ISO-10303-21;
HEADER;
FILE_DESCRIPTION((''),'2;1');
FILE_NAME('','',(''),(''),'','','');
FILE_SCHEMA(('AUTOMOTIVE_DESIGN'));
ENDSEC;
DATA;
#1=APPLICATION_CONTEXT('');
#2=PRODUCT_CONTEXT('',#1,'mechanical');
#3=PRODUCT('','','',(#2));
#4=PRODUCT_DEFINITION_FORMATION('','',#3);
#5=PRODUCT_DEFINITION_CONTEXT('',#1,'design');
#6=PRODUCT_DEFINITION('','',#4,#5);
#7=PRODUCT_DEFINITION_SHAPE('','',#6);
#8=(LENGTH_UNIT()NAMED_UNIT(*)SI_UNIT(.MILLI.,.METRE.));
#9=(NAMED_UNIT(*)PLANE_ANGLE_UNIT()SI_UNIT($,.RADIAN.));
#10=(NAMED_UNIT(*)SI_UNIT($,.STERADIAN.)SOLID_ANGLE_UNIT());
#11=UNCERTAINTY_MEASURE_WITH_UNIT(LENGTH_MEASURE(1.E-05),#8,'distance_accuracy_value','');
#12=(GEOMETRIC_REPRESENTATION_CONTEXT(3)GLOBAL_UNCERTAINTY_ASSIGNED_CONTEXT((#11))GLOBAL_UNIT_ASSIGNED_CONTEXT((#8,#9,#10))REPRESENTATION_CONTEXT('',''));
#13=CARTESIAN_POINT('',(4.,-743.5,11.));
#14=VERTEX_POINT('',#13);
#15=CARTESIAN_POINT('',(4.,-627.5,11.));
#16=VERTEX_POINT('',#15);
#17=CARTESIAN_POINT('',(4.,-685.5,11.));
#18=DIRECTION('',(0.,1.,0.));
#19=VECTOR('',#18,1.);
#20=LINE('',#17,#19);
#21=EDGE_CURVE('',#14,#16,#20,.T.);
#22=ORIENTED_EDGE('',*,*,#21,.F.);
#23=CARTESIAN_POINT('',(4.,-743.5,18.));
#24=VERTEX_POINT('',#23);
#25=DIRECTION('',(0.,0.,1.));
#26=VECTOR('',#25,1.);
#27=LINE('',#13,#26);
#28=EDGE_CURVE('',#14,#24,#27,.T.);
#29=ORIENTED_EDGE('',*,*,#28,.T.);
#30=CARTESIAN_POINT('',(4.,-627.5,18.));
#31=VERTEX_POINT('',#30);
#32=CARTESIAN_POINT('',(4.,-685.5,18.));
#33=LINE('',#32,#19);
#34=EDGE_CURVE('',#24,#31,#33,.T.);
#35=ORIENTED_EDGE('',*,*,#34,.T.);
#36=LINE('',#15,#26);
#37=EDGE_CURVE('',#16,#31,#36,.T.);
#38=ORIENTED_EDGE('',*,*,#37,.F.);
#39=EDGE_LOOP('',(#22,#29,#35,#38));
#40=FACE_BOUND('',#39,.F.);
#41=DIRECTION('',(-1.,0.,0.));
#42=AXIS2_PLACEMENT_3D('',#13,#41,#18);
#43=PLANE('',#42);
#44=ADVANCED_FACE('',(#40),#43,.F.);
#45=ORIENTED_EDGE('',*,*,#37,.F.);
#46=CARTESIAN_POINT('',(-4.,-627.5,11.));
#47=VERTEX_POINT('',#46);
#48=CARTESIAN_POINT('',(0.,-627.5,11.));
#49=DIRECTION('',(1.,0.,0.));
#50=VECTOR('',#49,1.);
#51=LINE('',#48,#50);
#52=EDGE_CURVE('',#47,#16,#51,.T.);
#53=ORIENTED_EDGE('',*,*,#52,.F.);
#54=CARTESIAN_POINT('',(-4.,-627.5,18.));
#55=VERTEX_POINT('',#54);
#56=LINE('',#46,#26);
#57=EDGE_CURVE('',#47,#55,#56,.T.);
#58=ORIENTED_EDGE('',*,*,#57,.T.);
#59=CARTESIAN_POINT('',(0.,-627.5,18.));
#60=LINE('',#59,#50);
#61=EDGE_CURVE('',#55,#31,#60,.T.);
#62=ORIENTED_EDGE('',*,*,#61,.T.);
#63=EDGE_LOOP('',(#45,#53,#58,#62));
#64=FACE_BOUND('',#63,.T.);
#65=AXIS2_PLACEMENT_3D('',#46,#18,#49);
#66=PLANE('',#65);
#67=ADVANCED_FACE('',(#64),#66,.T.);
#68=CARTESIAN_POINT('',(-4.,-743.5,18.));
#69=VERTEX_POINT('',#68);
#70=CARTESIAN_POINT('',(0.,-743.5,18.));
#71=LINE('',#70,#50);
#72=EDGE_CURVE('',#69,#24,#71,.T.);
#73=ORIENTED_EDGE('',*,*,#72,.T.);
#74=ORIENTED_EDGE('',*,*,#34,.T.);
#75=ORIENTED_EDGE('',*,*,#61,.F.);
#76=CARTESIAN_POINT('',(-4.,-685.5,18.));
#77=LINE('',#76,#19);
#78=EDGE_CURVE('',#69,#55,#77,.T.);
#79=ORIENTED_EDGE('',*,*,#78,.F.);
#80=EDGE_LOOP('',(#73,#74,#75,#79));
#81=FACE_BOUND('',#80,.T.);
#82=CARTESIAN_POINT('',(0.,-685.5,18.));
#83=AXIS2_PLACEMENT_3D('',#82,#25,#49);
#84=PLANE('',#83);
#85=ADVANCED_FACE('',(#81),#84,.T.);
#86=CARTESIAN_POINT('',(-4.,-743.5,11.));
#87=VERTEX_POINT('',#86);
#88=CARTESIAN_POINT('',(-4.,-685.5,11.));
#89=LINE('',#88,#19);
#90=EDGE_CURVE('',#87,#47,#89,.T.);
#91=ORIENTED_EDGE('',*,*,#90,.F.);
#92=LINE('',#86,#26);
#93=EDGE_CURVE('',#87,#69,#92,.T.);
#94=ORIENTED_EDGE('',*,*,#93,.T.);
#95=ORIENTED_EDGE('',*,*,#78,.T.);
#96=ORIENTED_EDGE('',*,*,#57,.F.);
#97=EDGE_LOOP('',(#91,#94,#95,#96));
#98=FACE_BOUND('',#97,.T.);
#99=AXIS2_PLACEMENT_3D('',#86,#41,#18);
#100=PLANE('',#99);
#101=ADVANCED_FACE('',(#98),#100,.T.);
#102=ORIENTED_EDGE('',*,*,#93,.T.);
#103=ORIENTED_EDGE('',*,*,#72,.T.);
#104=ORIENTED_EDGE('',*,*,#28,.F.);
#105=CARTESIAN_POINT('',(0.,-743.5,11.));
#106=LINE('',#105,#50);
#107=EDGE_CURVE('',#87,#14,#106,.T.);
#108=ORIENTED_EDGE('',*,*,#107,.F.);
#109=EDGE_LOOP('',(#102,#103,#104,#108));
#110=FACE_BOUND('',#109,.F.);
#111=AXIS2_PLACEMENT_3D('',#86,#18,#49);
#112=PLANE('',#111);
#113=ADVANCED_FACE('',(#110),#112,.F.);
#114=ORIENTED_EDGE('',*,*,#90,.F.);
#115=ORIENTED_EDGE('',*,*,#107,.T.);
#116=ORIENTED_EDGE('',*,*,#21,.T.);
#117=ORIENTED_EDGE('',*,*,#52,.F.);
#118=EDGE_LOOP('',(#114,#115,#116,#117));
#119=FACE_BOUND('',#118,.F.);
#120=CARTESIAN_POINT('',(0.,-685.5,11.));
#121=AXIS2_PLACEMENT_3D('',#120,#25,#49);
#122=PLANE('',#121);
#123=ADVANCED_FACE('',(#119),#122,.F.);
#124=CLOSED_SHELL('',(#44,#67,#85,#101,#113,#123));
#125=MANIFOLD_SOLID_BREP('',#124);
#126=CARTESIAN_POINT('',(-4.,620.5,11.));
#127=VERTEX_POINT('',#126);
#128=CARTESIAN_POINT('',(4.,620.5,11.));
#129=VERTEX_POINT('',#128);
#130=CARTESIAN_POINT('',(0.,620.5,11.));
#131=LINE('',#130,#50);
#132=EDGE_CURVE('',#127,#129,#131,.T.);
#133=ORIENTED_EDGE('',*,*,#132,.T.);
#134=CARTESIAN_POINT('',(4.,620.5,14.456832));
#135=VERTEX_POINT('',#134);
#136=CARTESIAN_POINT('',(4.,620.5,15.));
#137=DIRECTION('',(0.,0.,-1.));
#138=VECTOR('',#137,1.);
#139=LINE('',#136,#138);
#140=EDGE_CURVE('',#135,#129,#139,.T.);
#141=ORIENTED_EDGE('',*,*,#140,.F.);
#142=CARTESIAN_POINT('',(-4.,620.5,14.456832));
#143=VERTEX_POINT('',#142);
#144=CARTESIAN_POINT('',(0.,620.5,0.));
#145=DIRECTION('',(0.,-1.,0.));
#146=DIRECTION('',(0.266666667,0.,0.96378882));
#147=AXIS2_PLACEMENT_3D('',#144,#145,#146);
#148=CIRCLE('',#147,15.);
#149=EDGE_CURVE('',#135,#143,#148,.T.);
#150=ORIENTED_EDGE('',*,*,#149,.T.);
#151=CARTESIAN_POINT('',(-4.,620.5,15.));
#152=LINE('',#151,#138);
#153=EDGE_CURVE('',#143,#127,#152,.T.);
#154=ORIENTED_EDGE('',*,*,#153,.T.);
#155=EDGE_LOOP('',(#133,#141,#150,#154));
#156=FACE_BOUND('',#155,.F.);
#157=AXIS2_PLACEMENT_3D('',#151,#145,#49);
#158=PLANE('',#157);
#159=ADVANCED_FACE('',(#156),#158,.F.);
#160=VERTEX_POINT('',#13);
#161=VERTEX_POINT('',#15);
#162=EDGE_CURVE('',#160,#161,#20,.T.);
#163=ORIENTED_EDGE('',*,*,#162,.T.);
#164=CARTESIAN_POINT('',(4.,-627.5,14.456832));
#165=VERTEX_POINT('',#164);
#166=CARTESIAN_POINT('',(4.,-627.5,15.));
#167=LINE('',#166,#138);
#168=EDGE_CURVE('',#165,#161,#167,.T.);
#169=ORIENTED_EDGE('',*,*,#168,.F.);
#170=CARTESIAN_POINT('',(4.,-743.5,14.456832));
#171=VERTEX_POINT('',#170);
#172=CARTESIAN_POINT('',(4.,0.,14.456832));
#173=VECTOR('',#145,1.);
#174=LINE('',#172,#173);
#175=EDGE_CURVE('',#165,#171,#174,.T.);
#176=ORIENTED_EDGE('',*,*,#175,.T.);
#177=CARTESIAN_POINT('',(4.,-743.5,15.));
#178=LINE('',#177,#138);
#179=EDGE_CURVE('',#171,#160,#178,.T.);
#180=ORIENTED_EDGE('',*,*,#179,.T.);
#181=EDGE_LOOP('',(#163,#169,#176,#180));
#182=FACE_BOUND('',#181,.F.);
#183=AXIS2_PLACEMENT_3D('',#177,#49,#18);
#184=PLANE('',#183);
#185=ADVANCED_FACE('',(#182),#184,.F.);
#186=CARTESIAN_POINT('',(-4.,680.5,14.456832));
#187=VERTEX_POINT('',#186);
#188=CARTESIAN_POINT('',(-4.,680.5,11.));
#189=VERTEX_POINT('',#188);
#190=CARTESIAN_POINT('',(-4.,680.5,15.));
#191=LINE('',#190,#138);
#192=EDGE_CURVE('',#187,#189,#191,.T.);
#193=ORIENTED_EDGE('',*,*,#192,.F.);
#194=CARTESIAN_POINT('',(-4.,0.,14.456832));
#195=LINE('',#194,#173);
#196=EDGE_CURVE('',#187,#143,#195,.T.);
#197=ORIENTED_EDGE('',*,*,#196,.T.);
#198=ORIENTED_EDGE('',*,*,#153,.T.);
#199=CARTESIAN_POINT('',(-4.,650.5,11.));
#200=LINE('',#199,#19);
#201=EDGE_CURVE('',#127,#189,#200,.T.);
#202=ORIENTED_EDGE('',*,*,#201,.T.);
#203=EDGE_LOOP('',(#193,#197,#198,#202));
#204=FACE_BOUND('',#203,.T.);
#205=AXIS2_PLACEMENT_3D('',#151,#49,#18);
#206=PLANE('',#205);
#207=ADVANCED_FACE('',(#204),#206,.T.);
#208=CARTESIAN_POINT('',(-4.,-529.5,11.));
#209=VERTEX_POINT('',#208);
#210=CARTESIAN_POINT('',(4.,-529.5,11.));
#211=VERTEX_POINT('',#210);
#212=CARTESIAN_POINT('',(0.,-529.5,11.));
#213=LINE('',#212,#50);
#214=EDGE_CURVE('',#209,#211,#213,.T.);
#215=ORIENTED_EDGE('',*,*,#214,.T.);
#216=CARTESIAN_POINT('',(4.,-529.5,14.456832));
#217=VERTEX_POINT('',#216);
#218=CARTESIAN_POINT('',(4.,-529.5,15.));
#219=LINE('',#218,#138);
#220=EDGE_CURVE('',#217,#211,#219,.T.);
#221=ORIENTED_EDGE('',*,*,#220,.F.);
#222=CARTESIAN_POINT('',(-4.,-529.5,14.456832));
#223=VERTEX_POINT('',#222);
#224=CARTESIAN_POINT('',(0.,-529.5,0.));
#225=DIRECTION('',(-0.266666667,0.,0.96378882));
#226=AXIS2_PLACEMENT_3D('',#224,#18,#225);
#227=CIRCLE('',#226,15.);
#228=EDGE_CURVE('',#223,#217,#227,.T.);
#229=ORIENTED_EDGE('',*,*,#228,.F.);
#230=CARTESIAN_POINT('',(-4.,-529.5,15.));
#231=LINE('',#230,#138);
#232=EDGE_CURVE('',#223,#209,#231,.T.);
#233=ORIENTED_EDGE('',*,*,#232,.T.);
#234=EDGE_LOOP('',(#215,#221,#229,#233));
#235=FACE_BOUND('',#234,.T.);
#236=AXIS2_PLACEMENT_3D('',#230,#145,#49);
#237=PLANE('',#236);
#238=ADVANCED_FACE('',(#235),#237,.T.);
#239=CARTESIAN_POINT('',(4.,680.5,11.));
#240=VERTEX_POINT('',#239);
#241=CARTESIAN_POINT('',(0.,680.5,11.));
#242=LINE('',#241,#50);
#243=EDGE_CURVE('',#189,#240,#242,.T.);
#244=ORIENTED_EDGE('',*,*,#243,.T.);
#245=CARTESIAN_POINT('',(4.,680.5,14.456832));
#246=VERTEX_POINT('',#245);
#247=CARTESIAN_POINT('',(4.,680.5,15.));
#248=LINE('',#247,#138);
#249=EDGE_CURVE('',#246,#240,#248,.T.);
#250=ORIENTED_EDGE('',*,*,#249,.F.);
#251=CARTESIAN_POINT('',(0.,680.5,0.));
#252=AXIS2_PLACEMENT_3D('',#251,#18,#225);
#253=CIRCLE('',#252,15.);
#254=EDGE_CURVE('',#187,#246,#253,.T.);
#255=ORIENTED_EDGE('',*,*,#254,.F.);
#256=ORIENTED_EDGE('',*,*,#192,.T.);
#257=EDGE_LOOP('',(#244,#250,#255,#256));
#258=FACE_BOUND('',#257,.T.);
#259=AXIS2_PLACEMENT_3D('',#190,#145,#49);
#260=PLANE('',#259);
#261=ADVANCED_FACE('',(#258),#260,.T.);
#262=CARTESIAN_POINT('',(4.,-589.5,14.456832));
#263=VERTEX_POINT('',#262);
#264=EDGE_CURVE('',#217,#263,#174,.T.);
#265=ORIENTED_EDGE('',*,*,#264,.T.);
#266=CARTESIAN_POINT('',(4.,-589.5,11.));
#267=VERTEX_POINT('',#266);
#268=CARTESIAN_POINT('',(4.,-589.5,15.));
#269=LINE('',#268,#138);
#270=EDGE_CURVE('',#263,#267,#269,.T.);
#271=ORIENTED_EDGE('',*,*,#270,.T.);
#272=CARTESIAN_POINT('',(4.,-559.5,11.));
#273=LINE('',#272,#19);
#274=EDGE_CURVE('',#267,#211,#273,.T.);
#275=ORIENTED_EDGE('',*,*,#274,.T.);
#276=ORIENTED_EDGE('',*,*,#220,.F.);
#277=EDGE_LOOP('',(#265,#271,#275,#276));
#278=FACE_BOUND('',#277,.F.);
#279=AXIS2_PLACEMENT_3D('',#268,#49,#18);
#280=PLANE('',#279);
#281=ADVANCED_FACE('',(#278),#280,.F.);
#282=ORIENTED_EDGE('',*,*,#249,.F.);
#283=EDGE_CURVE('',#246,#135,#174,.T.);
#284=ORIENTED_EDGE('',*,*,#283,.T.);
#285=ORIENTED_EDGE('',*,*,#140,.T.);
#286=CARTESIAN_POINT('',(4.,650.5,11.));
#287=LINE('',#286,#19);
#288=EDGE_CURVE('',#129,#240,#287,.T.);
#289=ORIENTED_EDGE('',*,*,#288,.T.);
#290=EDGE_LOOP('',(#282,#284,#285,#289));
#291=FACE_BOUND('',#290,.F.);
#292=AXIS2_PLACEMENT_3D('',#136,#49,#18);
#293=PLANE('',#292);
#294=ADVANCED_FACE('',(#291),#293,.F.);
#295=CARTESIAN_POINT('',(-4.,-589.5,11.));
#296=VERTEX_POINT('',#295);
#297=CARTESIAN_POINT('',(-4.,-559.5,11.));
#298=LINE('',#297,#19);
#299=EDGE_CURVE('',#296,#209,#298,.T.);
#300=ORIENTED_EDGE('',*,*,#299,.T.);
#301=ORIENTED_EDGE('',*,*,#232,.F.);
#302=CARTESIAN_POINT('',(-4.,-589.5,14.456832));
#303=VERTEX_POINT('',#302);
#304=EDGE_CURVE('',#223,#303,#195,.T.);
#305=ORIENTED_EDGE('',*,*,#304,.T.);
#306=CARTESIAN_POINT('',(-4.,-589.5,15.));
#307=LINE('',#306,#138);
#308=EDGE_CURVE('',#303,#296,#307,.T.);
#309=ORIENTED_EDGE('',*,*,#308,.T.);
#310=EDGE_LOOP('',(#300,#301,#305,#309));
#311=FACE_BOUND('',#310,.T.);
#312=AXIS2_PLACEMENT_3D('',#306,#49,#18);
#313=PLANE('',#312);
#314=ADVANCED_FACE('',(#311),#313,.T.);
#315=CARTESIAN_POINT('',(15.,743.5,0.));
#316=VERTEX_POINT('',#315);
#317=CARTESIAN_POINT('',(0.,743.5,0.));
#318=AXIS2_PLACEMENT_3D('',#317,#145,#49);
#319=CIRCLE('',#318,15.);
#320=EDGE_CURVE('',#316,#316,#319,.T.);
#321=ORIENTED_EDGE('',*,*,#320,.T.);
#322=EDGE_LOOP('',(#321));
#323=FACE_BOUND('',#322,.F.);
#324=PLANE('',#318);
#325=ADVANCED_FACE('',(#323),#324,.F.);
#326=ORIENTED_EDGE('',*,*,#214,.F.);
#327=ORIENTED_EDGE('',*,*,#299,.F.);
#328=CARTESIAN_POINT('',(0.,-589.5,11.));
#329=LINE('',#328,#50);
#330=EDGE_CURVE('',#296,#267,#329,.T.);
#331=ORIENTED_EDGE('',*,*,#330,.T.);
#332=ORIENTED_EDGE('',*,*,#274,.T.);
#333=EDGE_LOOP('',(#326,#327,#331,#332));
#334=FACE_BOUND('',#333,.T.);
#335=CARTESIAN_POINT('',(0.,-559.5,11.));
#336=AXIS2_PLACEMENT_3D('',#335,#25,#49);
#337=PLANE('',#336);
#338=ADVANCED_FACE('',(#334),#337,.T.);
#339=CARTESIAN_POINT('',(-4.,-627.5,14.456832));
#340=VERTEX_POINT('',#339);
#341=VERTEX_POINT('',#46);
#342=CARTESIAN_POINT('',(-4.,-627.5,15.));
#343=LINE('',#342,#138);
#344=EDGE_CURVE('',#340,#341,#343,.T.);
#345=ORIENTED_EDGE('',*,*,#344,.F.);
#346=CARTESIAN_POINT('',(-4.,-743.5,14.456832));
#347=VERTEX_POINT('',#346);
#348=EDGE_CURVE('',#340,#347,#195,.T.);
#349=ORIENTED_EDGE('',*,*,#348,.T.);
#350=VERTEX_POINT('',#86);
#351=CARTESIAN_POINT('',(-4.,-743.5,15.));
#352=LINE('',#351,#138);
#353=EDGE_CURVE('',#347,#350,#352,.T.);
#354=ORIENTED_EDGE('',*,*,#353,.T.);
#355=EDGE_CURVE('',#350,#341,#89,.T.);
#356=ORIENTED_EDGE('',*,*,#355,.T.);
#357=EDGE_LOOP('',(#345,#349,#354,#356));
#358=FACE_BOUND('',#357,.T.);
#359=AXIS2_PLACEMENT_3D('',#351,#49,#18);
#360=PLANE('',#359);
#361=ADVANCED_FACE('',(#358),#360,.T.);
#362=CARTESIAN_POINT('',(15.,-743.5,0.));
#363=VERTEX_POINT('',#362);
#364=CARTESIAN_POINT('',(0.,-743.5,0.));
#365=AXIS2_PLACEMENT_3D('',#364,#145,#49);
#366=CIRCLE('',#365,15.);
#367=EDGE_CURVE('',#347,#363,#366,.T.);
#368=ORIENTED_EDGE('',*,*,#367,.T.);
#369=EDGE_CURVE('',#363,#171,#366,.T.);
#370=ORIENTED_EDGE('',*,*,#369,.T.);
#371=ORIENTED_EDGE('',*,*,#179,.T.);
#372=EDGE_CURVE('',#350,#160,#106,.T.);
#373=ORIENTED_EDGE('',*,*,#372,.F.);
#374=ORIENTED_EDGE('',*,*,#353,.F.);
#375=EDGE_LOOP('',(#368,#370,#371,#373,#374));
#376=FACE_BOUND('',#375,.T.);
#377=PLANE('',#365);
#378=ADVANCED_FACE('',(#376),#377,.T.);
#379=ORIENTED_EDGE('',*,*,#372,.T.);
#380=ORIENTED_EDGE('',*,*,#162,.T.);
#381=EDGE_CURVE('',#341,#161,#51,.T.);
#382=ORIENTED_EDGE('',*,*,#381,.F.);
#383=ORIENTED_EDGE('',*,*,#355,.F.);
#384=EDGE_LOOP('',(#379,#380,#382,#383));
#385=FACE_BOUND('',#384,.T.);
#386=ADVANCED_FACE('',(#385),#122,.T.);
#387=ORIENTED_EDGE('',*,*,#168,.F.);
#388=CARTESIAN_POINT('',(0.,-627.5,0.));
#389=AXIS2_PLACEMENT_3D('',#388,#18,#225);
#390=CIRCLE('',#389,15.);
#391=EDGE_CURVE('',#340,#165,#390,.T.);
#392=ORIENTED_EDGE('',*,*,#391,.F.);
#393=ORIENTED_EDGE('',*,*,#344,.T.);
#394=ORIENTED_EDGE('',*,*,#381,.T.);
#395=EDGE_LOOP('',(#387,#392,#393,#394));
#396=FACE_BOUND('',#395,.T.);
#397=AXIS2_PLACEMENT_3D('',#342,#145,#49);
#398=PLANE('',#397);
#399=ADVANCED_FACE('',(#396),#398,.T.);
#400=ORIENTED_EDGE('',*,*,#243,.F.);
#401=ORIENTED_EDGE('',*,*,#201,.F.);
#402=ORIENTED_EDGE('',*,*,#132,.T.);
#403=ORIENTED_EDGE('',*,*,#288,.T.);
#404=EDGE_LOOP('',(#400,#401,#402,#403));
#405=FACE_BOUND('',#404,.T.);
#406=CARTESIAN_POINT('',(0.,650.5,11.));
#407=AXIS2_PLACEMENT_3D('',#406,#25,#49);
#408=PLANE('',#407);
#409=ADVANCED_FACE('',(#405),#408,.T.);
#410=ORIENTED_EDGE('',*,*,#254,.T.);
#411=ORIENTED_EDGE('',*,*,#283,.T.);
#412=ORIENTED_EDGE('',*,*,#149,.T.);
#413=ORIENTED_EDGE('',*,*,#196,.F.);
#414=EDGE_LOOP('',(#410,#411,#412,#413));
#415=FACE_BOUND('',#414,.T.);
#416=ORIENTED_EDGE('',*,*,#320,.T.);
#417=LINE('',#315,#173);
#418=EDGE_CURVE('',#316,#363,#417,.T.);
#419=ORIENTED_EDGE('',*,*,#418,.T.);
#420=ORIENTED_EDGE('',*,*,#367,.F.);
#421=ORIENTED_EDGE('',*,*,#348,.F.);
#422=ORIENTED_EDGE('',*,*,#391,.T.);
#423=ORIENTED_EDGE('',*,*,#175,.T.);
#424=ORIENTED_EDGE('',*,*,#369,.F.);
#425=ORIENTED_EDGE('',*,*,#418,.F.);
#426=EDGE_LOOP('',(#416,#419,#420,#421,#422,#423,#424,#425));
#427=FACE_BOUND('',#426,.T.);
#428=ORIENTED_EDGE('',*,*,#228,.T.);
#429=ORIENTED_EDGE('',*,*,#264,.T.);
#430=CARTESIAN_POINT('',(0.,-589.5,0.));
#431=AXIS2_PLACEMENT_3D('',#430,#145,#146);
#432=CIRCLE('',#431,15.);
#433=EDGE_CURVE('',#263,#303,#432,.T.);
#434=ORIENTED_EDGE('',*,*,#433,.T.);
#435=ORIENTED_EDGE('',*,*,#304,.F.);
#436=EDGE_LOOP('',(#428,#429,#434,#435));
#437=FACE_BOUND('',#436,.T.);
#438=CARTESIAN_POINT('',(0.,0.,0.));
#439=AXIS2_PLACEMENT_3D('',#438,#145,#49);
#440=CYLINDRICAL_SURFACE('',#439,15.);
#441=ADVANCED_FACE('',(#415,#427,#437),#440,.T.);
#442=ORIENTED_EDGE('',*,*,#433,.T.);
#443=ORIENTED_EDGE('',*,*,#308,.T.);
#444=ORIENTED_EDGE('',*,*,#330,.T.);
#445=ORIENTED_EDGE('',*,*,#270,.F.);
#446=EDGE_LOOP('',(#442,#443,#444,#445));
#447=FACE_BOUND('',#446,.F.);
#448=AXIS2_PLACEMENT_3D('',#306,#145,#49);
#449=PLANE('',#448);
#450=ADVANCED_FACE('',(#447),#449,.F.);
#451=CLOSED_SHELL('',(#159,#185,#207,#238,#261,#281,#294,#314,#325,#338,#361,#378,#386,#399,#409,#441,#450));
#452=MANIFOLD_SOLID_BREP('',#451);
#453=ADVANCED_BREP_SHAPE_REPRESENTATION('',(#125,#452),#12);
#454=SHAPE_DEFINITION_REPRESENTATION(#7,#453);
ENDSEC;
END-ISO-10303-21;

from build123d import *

# Parameters (mm, degrees)
F0_R     = 15
F1_DEPTH = 743.5
F3_W     = 8
F3_H     = 60
F3_H_2   = 116
F4_DEPTH = 4
F5_DEPTH = 7


with BuildPart() as f1:
    # F0 (on Front) → F1 (new body, symmetric)
    with BuildSketch(Plane.XZ):
        Circle(F0_R)
    extrude(amount=F1_DEPTH, both=True)

    # F3 (on offset) → F4 (cut)
    with BuildSketch(Plane.XY.offset(15)):
        with Locations((0, 650.5)):
            Rectangle(F3_W, F3_H)
        with Locations((0, -559.5)):
            Rectangle(F3_W, F3_H)
        with Locations((0, -685.5)):
            Rectangle(F3_W, F3_H_2)
    extrude(amount=-F4_DEPTH, mode=Mode.SUBTRACT)


with BuildPart() as f5:
    # F5 (new): a face of the model
    f5_faces = [f1.part.faces().sort_by_distance(p)[0] for p in [
        (0, -685.5, 11),
    ]]
    extrude(f5_faces, amount=F5_DEPTH)


solid = Compound([f1.part, f5.part])
